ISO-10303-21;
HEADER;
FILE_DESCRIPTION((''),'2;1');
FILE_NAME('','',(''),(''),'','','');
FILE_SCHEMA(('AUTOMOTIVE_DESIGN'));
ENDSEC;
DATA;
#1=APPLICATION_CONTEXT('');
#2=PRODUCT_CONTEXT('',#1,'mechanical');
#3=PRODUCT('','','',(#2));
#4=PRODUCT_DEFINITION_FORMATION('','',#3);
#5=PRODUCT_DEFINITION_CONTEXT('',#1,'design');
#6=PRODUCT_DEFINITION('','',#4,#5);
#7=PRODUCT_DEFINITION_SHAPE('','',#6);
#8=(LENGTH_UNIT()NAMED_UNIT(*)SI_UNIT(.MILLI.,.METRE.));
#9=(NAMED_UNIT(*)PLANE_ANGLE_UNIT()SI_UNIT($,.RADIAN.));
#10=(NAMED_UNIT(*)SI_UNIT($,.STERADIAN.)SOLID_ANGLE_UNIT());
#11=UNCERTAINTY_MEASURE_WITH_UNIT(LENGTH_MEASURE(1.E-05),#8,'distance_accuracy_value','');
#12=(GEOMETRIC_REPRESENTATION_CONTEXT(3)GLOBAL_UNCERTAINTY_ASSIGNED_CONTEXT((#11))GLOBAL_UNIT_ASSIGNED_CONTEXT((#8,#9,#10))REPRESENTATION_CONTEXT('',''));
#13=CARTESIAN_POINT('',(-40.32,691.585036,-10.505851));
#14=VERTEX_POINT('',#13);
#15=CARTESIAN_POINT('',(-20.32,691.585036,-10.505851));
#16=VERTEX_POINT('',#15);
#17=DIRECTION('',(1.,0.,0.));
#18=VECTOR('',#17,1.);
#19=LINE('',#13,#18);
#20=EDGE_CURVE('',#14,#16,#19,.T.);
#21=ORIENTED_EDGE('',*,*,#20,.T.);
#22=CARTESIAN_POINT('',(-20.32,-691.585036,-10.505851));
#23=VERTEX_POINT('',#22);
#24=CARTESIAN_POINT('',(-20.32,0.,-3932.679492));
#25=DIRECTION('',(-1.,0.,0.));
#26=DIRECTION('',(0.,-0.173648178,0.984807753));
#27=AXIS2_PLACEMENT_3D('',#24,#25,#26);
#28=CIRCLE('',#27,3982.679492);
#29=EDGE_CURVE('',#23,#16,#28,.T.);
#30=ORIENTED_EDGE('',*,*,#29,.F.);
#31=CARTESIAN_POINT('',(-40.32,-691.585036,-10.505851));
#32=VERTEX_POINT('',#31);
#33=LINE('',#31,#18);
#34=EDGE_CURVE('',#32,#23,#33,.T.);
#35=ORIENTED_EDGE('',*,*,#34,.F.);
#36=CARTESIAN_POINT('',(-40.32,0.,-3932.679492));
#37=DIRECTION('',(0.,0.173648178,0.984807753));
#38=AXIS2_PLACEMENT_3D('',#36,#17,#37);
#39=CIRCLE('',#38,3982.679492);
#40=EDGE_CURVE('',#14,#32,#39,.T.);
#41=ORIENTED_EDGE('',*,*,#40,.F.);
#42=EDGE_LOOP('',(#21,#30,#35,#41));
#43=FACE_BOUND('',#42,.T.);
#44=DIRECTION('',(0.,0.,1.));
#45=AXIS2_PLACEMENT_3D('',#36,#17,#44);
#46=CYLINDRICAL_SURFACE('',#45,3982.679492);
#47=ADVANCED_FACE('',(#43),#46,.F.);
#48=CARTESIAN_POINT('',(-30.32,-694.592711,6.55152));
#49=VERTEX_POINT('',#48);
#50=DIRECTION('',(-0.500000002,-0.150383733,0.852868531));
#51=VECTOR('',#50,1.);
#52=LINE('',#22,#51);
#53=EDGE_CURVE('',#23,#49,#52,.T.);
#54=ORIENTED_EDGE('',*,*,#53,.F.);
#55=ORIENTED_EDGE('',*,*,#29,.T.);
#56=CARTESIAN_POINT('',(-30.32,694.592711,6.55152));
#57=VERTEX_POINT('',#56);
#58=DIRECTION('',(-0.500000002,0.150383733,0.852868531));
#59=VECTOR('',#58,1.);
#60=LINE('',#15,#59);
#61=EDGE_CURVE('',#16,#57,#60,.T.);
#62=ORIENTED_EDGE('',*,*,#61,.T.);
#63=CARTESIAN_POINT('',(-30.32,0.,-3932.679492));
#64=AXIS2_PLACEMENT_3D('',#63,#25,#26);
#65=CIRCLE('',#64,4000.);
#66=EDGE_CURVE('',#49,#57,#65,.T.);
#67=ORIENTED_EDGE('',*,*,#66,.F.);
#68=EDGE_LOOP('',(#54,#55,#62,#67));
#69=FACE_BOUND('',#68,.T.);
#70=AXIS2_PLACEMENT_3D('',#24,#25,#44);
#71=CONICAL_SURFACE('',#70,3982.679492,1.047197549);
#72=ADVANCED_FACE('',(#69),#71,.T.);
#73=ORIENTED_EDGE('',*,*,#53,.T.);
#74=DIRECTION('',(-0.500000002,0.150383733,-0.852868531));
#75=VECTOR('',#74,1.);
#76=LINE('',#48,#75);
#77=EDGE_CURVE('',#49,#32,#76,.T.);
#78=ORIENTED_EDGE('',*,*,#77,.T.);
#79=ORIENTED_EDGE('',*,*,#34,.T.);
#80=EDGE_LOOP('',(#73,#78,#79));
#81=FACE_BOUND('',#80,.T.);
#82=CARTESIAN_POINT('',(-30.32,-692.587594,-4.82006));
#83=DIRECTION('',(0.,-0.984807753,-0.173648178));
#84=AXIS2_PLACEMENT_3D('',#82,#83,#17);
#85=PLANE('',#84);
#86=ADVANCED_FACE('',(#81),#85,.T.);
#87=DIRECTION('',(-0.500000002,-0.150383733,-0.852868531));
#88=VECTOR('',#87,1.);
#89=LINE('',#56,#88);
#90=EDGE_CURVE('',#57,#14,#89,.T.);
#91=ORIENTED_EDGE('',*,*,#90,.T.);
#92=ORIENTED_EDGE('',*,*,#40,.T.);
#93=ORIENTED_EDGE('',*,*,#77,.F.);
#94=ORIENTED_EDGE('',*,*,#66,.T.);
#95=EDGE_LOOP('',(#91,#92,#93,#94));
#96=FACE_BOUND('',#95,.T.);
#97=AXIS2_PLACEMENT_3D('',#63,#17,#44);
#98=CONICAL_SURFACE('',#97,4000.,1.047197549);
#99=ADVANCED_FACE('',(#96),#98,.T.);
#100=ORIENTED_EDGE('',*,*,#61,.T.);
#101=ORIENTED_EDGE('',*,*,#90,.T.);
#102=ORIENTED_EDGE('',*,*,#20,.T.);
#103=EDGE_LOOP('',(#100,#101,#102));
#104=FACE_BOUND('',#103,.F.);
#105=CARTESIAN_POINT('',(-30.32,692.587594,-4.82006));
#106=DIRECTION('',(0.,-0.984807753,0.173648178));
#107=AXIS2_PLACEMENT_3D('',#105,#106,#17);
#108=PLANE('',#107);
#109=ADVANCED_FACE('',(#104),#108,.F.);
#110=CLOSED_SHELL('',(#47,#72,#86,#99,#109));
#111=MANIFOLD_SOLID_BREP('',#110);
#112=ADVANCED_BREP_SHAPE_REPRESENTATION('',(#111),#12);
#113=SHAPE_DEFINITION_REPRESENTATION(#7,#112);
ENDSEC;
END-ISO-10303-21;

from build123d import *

# Parameters (mm, degrees)
F1_ANGLE = 20


with BuildPart() as f1:
    # F0 (on Front) → F1 (revolve, symmetric)
    with BuildSketch(Plane.XZ) as f1_sk:
        Polygon((-30.32, 67.320508), (-40.32, 50), (-20.32, 50), align=None)
    revolve(axis=Axis((-28.071713, 0, -3932.679492), (1, 0, 0)), revolution_arc=F1_ANGLE / 2)
    revolve(f1_sk.sketch, axis=Axis((-28.071713, 0, -3932.679492), (-1, 0, 0)), revolution_arc=F1_ANGLE / 2)


solid = f1.part
